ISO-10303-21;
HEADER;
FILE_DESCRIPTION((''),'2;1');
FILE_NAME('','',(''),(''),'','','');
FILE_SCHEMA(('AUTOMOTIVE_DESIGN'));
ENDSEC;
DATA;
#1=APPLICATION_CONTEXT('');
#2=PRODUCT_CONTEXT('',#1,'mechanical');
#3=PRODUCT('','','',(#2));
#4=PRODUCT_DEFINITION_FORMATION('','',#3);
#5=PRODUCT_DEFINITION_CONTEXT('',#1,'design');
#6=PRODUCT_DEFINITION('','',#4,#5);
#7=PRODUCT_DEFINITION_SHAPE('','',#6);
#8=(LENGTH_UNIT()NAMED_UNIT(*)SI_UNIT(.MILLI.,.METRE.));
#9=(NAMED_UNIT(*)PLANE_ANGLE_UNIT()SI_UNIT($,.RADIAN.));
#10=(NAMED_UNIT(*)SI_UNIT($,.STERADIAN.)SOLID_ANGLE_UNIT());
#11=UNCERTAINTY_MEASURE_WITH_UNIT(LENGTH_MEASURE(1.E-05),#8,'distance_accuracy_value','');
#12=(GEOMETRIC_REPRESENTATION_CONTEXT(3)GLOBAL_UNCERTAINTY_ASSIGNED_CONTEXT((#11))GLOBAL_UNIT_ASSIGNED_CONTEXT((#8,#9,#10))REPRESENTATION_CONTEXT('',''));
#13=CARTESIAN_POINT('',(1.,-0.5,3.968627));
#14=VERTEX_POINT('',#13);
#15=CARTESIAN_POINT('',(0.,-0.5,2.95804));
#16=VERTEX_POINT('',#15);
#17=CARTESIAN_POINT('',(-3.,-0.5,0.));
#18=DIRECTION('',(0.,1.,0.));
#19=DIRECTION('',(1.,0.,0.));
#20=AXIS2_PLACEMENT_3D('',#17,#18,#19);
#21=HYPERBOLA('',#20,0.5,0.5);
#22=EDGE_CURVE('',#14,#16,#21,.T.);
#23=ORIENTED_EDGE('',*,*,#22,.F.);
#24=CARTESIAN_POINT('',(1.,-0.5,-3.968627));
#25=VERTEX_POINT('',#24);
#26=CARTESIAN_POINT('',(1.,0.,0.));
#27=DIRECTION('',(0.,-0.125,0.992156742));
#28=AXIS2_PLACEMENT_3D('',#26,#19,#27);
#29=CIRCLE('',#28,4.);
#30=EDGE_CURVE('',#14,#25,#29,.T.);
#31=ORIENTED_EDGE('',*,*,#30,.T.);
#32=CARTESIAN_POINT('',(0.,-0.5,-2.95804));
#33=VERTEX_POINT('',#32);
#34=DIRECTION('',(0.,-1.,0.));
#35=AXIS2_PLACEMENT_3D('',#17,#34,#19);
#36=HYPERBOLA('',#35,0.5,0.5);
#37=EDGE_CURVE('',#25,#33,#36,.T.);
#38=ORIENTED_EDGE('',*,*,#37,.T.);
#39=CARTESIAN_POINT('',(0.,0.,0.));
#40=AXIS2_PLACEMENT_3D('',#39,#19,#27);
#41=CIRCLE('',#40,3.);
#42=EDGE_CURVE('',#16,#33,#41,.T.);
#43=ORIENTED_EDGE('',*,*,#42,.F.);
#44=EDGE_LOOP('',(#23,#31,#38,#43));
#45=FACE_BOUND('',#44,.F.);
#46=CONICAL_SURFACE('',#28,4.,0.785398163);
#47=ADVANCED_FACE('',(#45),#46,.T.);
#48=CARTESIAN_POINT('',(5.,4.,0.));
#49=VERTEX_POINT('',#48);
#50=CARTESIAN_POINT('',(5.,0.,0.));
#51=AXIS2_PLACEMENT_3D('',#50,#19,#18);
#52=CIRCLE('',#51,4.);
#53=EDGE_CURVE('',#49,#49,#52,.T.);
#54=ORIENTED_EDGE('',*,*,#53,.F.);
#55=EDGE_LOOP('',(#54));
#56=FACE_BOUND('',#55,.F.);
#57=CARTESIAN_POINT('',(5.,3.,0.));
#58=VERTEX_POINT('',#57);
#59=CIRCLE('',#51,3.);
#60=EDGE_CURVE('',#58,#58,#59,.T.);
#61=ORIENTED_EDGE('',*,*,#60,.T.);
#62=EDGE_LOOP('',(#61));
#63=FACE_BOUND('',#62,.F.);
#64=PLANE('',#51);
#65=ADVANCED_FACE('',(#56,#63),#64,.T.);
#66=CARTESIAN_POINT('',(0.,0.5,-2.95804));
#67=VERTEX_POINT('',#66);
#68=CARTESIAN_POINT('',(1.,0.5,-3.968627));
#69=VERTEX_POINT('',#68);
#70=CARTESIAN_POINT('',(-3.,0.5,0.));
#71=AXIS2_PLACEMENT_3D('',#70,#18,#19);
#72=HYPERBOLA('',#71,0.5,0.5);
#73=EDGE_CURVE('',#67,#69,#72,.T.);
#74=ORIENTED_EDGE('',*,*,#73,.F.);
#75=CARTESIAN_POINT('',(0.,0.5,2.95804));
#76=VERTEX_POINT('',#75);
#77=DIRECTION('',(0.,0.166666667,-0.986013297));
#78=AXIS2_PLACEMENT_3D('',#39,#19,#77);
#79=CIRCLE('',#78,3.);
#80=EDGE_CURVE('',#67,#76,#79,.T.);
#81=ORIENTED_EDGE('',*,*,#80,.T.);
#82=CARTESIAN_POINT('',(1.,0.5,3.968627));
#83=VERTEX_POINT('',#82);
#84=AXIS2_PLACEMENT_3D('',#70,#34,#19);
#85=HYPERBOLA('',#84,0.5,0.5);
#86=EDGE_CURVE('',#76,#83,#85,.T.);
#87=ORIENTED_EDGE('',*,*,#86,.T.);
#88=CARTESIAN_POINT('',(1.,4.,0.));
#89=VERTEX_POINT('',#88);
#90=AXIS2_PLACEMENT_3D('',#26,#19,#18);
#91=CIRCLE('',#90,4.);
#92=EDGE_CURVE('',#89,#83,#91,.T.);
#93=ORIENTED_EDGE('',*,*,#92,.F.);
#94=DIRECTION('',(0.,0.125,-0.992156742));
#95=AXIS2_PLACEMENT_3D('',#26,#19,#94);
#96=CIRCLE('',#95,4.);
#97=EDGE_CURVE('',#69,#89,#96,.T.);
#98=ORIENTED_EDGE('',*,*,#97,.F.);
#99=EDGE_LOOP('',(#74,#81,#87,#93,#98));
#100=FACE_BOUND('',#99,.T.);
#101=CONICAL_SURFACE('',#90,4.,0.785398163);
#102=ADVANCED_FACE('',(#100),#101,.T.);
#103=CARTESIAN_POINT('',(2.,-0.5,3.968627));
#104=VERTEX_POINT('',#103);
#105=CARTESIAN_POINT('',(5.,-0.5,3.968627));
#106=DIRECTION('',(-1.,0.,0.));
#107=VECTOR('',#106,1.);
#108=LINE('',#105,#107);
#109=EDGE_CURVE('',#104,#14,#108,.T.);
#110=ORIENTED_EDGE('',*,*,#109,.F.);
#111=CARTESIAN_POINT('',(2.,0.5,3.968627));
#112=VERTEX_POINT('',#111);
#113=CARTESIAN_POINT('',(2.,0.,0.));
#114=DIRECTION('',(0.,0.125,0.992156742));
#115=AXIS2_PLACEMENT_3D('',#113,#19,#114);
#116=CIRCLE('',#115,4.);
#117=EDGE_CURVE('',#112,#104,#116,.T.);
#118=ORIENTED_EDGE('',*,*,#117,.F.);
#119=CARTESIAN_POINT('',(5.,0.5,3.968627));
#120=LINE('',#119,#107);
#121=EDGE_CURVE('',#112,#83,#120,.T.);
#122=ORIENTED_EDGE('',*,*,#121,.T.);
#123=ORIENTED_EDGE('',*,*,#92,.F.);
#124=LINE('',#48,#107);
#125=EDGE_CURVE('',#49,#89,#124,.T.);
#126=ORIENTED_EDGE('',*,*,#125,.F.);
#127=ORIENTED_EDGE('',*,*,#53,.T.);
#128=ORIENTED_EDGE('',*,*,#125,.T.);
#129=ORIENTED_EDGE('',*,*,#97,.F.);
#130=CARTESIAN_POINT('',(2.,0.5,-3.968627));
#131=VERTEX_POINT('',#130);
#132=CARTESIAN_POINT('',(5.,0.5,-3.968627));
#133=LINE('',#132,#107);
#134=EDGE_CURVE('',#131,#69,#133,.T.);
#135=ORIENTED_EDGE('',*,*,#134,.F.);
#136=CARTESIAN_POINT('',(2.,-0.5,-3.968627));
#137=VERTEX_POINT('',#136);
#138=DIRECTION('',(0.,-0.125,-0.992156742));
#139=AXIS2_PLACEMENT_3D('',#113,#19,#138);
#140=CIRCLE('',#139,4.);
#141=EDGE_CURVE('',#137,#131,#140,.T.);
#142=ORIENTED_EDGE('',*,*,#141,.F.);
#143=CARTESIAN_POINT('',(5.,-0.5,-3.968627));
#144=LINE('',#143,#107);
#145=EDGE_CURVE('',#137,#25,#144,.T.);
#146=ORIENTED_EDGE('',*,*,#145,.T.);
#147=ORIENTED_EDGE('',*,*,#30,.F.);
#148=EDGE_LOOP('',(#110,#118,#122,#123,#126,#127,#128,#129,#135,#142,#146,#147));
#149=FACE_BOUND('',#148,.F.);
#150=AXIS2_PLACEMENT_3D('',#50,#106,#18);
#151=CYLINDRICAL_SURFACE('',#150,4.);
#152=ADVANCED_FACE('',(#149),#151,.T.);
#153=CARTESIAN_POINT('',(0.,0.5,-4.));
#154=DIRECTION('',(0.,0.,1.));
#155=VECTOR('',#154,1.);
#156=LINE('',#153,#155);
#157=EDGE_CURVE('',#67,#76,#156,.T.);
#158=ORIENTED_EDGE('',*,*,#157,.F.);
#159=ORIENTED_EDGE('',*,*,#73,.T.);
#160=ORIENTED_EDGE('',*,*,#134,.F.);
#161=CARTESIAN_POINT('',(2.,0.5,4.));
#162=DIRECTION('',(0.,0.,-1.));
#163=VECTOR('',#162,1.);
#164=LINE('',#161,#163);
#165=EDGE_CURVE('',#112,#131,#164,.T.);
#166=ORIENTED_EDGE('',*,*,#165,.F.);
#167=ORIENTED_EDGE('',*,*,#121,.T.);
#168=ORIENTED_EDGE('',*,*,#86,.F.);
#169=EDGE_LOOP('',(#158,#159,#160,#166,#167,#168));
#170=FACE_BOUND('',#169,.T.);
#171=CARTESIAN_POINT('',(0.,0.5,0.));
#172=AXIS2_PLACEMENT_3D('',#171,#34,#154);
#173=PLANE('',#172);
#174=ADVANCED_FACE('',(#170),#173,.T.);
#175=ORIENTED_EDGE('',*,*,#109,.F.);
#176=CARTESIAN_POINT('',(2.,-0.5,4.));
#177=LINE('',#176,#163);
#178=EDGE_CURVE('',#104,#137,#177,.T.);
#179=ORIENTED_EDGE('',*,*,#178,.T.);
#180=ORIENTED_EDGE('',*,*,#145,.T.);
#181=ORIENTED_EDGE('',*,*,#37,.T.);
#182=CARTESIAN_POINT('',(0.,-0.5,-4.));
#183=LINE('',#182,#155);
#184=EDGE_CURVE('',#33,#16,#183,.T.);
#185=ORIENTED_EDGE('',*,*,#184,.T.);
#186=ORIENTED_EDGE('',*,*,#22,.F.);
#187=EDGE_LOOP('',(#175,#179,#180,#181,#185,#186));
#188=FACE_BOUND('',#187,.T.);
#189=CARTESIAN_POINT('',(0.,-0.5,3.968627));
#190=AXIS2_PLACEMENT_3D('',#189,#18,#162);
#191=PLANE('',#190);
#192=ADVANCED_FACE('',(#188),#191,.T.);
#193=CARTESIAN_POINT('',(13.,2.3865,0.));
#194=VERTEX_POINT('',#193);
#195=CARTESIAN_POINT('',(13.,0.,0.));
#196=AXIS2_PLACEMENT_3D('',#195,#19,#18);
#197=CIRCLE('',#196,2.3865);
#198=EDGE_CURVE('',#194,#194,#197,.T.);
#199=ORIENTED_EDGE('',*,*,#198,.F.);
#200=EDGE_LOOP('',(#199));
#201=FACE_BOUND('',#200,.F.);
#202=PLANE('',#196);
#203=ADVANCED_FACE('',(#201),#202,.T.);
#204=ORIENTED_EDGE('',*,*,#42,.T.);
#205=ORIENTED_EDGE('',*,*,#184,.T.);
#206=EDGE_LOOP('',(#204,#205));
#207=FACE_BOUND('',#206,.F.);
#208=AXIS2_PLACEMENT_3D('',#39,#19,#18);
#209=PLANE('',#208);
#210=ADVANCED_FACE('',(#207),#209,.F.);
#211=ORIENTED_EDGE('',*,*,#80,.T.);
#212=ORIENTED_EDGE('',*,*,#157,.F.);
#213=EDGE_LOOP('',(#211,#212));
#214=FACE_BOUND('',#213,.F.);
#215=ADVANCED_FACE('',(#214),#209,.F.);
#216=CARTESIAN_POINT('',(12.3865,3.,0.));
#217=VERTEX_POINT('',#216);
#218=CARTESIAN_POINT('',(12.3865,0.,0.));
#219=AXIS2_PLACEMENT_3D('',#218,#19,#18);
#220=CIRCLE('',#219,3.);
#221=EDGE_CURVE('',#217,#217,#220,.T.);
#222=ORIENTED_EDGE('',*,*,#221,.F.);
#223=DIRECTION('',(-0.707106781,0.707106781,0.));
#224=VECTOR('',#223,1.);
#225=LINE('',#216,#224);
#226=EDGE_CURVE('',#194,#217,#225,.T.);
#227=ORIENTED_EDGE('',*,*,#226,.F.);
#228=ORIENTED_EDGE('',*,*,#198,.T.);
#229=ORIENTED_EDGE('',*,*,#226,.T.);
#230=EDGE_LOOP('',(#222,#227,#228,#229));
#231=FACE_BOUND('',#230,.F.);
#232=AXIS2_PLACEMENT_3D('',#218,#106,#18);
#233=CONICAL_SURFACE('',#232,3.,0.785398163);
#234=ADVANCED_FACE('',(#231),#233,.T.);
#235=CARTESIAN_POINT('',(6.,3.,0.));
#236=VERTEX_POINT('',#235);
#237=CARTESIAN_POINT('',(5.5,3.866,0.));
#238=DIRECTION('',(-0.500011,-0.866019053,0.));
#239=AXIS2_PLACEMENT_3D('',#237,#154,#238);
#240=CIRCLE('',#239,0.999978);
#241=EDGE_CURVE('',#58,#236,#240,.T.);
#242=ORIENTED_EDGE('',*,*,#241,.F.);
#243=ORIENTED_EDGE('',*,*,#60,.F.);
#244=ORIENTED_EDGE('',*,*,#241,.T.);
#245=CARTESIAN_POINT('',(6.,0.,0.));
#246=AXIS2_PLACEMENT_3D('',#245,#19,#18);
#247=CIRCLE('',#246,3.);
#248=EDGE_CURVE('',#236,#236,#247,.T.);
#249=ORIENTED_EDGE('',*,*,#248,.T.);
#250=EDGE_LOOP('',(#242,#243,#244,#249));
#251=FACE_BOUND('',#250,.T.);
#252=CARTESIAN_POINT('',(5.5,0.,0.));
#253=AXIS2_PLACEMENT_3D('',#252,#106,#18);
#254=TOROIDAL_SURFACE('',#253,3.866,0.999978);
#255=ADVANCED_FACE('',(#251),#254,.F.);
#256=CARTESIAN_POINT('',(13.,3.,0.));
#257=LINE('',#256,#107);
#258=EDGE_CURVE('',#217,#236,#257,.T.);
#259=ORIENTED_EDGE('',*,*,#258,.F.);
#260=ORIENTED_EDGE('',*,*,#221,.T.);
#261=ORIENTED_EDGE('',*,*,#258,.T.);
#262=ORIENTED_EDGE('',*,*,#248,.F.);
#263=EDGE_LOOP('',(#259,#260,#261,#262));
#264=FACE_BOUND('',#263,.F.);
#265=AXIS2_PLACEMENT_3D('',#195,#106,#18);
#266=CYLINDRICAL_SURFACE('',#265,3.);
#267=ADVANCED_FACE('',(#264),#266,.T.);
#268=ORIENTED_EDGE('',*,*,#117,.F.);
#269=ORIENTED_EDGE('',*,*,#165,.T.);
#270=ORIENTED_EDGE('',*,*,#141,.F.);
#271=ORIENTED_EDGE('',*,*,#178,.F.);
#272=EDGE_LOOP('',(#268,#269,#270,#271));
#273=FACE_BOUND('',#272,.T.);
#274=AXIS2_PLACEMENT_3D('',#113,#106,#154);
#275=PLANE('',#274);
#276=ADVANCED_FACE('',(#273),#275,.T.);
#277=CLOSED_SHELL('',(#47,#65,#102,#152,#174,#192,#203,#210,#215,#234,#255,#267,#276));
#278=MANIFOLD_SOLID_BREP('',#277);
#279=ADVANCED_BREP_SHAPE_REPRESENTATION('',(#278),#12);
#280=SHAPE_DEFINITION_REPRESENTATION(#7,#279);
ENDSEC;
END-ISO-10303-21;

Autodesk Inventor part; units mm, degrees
ref_plane "YZ Plane" through (0, 0, 0) normal (1, 0, 0) x (0, 1, 0)
ref_plane "XZ Plane" through (0, 0, 0) normal (0, 1, 0) x (-1, 0, 0)
sketch "Sketch1" plane through (0, 0, 0) normal (0, 0, 1) x (1, 0, 0)
  line L0 (0, 0) -> (13, 0)
  line L1 (13, 0) -> (13, 3)
  line L2 (13, 3) -> (5, 3)
  line L3 (5, 3) -> (5, 4)
  line L4 (5, 4) -> (0, 4)
  line L5 (0, 4) -> (0, 0)
  line L6 (-2.6, 0) -> (15.6, 0) projected
  line L7 (0, -0.8) -> (0, 4.8) projected
  arc A0 (5, 3) -> (6, 3) centre (5.5, 3.866) ccw
  dimension "d0" = 5
  dimension "d1" = 8
  dimension "d2" = 6
  dimension "d3" = 8
  dimension "d14" = 1
  dimension "d15" = 1
revolve "Body" add sketch "Sketch1" angle 360 about axis through (0, 0, 0) along (1, 0, 0)
sketch "Sketch2" plane through (0, 0, 0) normal (-1, 0, 0) x (0, 0, 1)
  circle A0 centre (0, 0) radius 4 projected
  line L0 (0, -5.6) -> (0, 5.6) projected
  line L1 (-5.6, 0) -> (5.6, 0) projected
  line L2 (-4, 0.5) -> (4, 0.5)
  line L3 (4, 0.5) -> (4, -0.5)
  line L4 (4, -0.5) -> (-4, -0.5)
  line L5 (-4, -0.5) -> (-4, 0.5)
  line L6 (-4, 0) -> (4, 0) construction
  line L7 (0, 0.5) -> (0, -0.5) construction
  dimension "d5" = 1
extrude "Slot" cut sketch "Sketch2" against normal blind 2 contours L1 L0 L2 A0 | L3 L4 A0 | A0 L4 L0 L1 | A0 L2 L3 | L1 A0 L2 L0 | L0 L4 A0 L1 | L5 L2 A0 | A0 L4 L5
chamfer "Chamfer1" distance 1 angle 45 3 edges at (0, 3, -2.6458) (0, 3, 2.6458) (0, -4, 0) measured on face at (3.3333, -1.7193, 3.6117)
thread "Thread" size "M6x1" class "6g" standard "ISO Metric profile" length 8
chamfer "Chamfer2" distance 0.6135 distance2 0.6135 1 edges at (13, -3, 0) measured on face at (13, 0.7776, -0.4238)
revolve "Groove1" cut sketch "Sketch1" angle 360 about axis through (0, 0, 0) along (1, 0, 0) contours A0 L2
ref_plane "Work Plane1" through (8, 0, 0) normal (0, 0, -1) x (1, 0, 0)
equation "\"d0\" = KOH"
equation "\"d1\" = GEL"
equation "\"d2\" = NND"
equation "\"d3\" = KOD"
equation "\"d14\" = SBR"
equation "\"d15\" = SBR"
equation "\"d5\" = SBR"
equation "\"d6\" = STI"
equation "\"d8\" = PHH"
equation "\"d19\" = PHH"
equation "\"d10\" = GEL"
equation "\"d12\" = -0.5 * GD1 + 0.5 * NND"
equation "\"d13\" = GUL"
equation "\"NND\" = 6"
equation "\"GEL\" = 8"
equation "\"KOD\" = 8"
equation "\"KOH\" = 5"
equation "\"SBR\" = 1"
equation "\"GUL\" = 0.61345 * PTC"
equation "\"PHH\" = 1"
equation "\"GD1\" = THREADDIA - 1.2269 * PTC"
equation "\"STI\" = 2"
equation "\"THREADDIA\" = 6"
equation "\"TOA\" = 30deg"
equation "\"NLG\" = GEL"
equation "\"PTC\" = 1"
equation "\"GAL\" = 0.61345 * PTC"
properties part number "DIN 927 - M6 x 5-14H" material "Steel, Mild"
